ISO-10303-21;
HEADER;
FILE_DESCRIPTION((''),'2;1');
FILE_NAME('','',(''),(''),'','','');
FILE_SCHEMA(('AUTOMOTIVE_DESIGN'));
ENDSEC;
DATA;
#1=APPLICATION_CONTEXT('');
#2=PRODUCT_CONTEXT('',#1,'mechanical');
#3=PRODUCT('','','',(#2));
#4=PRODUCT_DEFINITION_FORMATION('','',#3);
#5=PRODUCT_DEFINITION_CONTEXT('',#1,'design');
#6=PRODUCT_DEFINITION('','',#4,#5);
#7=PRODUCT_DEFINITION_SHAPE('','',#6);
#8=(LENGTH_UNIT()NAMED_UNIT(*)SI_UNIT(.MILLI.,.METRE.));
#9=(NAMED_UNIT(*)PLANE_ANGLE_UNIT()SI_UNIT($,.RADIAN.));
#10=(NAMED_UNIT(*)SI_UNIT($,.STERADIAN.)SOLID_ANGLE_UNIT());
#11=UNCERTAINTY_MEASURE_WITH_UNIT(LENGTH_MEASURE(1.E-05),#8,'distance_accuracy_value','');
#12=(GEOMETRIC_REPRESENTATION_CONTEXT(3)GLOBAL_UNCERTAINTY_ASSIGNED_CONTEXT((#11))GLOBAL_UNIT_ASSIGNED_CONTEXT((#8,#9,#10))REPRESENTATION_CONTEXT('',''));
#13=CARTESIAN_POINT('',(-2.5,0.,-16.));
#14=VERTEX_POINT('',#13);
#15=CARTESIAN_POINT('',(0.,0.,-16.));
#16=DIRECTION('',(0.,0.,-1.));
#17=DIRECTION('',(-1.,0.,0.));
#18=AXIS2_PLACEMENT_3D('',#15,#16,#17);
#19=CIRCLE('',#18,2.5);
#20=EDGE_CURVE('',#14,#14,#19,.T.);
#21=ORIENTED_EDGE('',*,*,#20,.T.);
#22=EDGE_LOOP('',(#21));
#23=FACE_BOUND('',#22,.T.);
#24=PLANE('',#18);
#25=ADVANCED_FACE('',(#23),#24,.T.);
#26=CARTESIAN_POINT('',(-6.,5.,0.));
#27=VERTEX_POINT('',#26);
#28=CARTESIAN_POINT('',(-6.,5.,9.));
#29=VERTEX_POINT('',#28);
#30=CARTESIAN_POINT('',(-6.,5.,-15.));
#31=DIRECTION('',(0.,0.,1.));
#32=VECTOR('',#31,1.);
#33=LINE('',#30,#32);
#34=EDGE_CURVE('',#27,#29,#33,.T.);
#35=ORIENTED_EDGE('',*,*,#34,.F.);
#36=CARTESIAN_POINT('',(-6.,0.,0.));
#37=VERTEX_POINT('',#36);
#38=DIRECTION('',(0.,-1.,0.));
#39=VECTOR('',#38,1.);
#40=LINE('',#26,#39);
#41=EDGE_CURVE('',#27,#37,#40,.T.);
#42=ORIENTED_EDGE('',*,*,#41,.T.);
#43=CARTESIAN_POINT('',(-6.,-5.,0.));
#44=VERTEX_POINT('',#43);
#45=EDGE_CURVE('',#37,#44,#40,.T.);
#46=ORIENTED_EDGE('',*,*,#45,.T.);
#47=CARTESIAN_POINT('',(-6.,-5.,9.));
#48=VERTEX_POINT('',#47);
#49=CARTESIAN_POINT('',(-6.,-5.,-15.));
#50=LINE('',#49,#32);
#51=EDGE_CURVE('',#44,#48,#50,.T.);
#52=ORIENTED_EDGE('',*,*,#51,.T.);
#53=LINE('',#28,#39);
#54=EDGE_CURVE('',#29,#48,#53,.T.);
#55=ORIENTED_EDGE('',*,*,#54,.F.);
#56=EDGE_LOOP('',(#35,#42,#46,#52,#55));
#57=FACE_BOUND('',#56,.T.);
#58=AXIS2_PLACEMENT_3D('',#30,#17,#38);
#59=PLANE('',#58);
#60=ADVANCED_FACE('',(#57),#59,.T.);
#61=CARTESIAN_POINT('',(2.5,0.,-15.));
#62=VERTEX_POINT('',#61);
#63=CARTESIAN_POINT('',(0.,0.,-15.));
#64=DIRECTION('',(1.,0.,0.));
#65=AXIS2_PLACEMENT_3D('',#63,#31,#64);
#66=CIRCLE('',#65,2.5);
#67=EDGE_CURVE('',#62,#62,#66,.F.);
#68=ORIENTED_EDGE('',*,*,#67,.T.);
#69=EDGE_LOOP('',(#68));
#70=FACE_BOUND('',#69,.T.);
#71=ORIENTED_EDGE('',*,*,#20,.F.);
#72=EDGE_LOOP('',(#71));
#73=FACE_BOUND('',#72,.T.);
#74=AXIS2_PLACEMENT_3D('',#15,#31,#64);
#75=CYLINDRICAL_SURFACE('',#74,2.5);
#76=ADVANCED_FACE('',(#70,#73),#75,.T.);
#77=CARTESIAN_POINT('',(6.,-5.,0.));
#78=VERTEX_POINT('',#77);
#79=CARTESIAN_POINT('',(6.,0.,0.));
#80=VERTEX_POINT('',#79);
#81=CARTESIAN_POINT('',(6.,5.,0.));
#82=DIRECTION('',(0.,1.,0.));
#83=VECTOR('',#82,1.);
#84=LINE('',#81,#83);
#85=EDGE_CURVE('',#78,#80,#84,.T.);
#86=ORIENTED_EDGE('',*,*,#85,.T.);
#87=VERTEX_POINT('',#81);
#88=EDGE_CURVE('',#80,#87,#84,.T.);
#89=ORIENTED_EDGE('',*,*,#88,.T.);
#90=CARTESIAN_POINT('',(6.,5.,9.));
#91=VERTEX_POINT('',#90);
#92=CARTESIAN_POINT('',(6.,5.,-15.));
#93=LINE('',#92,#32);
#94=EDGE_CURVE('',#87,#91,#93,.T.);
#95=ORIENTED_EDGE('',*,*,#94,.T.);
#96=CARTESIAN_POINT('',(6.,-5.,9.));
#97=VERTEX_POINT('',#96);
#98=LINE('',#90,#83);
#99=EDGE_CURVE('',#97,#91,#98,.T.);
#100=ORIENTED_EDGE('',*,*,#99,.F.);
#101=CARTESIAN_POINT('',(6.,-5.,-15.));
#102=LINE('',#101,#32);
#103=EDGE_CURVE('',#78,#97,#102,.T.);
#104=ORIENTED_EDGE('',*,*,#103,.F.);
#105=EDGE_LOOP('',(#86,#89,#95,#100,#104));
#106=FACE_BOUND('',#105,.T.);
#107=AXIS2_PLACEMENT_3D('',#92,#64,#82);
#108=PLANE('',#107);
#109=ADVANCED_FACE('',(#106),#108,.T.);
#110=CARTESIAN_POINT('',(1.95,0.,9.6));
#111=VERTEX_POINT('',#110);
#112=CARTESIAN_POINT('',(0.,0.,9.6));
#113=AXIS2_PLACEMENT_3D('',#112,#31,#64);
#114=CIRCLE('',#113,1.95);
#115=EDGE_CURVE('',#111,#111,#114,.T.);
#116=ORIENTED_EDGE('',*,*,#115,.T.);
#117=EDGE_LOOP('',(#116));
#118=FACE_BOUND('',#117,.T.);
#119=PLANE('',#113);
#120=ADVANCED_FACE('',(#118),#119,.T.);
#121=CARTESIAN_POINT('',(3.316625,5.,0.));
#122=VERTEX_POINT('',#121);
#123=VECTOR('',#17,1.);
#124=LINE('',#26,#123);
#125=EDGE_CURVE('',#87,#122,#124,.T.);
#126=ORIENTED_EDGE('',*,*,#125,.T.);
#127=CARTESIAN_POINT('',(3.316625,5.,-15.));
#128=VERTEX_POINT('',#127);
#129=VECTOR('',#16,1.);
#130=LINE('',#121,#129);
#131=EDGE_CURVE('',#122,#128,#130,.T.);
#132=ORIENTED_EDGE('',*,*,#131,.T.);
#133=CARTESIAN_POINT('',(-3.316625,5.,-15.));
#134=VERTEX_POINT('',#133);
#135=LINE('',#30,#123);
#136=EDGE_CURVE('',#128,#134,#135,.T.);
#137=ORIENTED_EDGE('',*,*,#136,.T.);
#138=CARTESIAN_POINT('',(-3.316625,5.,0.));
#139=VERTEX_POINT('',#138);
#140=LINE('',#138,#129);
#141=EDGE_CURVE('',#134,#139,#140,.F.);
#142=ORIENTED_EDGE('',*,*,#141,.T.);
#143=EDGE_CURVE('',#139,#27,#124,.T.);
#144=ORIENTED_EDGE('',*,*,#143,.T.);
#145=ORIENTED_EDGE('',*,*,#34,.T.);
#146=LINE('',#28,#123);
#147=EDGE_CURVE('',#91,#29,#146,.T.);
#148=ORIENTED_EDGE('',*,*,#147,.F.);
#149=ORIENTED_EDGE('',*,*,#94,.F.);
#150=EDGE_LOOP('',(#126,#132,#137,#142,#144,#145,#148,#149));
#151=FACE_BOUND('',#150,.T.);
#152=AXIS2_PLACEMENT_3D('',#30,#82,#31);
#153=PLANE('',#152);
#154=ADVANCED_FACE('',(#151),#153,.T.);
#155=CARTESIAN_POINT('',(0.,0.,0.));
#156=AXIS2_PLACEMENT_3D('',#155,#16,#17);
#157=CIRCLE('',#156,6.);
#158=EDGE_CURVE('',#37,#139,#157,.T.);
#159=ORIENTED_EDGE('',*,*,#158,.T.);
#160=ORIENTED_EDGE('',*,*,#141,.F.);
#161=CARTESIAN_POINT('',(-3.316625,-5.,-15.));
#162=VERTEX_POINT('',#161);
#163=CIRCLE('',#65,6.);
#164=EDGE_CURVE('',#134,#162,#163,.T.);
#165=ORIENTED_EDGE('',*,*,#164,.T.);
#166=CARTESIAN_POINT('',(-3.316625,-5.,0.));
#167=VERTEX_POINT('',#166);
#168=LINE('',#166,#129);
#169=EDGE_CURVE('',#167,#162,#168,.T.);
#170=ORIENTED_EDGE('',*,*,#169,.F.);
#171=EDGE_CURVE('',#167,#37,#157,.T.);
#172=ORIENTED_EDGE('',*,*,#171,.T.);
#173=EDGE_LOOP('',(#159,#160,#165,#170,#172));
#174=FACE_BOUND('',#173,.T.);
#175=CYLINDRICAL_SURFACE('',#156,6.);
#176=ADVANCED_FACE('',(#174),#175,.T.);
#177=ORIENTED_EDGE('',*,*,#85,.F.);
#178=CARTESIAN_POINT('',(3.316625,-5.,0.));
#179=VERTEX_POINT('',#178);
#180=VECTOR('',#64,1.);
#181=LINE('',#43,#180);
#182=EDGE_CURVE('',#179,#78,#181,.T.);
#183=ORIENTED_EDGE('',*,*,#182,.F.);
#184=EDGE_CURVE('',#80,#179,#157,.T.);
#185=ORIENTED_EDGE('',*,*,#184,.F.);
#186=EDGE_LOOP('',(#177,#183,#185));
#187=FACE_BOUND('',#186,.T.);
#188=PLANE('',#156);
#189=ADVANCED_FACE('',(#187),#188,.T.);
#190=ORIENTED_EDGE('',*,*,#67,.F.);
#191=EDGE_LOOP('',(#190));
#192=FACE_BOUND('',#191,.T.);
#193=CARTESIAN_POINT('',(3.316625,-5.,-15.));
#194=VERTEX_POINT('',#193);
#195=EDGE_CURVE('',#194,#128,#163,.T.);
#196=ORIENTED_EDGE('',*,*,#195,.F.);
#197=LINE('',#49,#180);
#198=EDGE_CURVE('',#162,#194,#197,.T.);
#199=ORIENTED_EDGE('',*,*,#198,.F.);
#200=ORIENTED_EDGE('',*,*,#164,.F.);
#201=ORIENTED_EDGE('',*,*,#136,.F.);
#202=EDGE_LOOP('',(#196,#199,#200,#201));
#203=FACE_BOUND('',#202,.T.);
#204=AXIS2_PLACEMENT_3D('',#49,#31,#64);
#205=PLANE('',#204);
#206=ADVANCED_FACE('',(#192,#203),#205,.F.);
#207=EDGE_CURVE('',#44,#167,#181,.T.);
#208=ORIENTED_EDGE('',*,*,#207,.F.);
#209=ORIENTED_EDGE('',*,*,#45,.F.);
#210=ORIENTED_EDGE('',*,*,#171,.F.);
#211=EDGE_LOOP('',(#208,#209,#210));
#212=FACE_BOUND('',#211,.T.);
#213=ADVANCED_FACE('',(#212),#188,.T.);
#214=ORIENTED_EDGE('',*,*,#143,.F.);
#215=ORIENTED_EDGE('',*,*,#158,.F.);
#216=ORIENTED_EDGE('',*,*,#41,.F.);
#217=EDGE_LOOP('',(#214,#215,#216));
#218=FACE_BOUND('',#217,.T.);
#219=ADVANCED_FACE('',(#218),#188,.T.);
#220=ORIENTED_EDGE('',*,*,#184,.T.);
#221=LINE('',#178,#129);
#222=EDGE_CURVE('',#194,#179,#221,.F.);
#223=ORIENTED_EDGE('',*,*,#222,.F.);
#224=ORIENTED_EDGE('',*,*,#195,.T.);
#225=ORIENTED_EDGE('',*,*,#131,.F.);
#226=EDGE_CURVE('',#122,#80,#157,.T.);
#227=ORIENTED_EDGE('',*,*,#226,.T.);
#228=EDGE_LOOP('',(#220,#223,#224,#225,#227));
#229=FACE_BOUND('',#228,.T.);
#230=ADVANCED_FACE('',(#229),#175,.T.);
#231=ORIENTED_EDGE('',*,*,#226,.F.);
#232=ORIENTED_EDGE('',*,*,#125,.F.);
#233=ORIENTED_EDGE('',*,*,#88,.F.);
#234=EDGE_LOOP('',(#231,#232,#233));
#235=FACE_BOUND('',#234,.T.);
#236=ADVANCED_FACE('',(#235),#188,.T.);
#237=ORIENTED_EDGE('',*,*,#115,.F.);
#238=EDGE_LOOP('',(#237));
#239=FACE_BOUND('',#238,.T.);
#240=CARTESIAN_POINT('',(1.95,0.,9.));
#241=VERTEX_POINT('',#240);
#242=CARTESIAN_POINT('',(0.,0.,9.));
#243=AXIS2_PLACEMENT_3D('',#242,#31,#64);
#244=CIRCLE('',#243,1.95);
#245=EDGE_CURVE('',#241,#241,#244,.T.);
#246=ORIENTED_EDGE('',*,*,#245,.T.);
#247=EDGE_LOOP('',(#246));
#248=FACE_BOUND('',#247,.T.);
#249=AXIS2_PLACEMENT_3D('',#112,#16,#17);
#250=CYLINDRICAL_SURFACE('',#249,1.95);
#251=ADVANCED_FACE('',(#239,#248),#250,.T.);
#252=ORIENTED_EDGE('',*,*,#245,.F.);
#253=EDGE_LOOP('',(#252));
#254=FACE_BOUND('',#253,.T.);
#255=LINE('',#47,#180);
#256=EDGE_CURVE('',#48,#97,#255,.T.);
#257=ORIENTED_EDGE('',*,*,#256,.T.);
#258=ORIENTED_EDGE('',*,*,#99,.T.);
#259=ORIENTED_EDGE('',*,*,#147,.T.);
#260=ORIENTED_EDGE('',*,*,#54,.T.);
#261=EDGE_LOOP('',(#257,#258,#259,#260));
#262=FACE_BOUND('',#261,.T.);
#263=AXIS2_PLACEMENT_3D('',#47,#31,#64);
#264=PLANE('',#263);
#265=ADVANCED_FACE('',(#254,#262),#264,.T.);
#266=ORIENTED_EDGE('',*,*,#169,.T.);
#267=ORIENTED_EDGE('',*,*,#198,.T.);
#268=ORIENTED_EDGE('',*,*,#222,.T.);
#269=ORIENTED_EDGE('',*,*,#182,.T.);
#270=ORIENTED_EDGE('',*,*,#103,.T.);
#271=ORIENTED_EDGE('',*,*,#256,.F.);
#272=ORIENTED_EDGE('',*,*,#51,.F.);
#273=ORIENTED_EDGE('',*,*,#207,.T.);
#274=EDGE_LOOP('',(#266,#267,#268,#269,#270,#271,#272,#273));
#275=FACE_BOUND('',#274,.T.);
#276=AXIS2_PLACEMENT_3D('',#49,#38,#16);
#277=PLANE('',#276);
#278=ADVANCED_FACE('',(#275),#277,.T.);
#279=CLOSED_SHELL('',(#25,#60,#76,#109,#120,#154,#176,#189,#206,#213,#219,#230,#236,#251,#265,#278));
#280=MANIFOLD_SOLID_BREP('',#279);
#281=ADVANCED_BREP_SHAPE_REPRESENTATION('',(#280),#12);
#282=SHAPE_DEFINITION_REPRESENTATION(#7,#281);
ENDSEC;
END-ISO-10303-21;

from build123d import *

# Parameters (mm, degrees)
BOSS_EXTRUDE1_DEPTH      = 9
BOSS_EXTRUDE1_DEPTH_BACK = 15
SKETCH1_W                = 12
SKETCH1_H                = 10
SKETCH3_R                = 8.54
SKETCH3_R_2              = 6
CUT_EXTRUDE_THIN1_DEPTH  = 15
SKETCH5_R                = 2.5
BOSS_EXTRUDE2_DEPTH      = 1
SKETCH6_R                = 1.95
BOSS_EXTRUDE3_DEPTH      = 0.6


with BuildPart() as part:
    # Sketch1 → Boss-Extrude1 (new, two sides: drawn at the far end of the back side and taken through both)
    with BuildSketch(Plane.XY.offset(-BOSS_EXTRUDE1_DEPTH_BACK)):
        Rectangle(SKETCH1_W, SKETCH1_H)
    extrude(amount=BOSS_EXTRUDE1_DEPTH + BOSS_EXTRUDE1_DEPTH_BACK)

    # Sketch3 → Cut-Extrude-Thin1 (cut)
    with BuildSketch(Plane(origin=(0, 0, -15), x_dir=(-1, 0, 0), z_dir=(0, 0, -1))):
        Circle(SKETCH3_R)
        Circle(SKETCH3_R_2, mode=Mode.SUBTRACT)
    extrude(amount=-CUT_EXTRUDE_THIN1_DEPTH, mode=Mode.SUBTRACT)

    # Sketch5 → Boss-Extrude2 (add)
    with BuildSketch(Plane(origin=(0, 0, -15), x_dir=(-1, 0, 0), z_dir=(0, 0, -1))):
        with Locations(Location((0, 0, 0), (0, 0, 180))):
            Circle(SKETCH5_R)
    extrude(amount=BOSS_EXTRUDE2_DEPTH)

    # Sketch6 → Boss-Extrude3 (add)
    with BuildSketch(Plane.XY.offset(9)):
        Circle(SKETCH6_R)
    extrude(amount=BOSS_EXTRUDE3_DEPTH)


solid = part.part
